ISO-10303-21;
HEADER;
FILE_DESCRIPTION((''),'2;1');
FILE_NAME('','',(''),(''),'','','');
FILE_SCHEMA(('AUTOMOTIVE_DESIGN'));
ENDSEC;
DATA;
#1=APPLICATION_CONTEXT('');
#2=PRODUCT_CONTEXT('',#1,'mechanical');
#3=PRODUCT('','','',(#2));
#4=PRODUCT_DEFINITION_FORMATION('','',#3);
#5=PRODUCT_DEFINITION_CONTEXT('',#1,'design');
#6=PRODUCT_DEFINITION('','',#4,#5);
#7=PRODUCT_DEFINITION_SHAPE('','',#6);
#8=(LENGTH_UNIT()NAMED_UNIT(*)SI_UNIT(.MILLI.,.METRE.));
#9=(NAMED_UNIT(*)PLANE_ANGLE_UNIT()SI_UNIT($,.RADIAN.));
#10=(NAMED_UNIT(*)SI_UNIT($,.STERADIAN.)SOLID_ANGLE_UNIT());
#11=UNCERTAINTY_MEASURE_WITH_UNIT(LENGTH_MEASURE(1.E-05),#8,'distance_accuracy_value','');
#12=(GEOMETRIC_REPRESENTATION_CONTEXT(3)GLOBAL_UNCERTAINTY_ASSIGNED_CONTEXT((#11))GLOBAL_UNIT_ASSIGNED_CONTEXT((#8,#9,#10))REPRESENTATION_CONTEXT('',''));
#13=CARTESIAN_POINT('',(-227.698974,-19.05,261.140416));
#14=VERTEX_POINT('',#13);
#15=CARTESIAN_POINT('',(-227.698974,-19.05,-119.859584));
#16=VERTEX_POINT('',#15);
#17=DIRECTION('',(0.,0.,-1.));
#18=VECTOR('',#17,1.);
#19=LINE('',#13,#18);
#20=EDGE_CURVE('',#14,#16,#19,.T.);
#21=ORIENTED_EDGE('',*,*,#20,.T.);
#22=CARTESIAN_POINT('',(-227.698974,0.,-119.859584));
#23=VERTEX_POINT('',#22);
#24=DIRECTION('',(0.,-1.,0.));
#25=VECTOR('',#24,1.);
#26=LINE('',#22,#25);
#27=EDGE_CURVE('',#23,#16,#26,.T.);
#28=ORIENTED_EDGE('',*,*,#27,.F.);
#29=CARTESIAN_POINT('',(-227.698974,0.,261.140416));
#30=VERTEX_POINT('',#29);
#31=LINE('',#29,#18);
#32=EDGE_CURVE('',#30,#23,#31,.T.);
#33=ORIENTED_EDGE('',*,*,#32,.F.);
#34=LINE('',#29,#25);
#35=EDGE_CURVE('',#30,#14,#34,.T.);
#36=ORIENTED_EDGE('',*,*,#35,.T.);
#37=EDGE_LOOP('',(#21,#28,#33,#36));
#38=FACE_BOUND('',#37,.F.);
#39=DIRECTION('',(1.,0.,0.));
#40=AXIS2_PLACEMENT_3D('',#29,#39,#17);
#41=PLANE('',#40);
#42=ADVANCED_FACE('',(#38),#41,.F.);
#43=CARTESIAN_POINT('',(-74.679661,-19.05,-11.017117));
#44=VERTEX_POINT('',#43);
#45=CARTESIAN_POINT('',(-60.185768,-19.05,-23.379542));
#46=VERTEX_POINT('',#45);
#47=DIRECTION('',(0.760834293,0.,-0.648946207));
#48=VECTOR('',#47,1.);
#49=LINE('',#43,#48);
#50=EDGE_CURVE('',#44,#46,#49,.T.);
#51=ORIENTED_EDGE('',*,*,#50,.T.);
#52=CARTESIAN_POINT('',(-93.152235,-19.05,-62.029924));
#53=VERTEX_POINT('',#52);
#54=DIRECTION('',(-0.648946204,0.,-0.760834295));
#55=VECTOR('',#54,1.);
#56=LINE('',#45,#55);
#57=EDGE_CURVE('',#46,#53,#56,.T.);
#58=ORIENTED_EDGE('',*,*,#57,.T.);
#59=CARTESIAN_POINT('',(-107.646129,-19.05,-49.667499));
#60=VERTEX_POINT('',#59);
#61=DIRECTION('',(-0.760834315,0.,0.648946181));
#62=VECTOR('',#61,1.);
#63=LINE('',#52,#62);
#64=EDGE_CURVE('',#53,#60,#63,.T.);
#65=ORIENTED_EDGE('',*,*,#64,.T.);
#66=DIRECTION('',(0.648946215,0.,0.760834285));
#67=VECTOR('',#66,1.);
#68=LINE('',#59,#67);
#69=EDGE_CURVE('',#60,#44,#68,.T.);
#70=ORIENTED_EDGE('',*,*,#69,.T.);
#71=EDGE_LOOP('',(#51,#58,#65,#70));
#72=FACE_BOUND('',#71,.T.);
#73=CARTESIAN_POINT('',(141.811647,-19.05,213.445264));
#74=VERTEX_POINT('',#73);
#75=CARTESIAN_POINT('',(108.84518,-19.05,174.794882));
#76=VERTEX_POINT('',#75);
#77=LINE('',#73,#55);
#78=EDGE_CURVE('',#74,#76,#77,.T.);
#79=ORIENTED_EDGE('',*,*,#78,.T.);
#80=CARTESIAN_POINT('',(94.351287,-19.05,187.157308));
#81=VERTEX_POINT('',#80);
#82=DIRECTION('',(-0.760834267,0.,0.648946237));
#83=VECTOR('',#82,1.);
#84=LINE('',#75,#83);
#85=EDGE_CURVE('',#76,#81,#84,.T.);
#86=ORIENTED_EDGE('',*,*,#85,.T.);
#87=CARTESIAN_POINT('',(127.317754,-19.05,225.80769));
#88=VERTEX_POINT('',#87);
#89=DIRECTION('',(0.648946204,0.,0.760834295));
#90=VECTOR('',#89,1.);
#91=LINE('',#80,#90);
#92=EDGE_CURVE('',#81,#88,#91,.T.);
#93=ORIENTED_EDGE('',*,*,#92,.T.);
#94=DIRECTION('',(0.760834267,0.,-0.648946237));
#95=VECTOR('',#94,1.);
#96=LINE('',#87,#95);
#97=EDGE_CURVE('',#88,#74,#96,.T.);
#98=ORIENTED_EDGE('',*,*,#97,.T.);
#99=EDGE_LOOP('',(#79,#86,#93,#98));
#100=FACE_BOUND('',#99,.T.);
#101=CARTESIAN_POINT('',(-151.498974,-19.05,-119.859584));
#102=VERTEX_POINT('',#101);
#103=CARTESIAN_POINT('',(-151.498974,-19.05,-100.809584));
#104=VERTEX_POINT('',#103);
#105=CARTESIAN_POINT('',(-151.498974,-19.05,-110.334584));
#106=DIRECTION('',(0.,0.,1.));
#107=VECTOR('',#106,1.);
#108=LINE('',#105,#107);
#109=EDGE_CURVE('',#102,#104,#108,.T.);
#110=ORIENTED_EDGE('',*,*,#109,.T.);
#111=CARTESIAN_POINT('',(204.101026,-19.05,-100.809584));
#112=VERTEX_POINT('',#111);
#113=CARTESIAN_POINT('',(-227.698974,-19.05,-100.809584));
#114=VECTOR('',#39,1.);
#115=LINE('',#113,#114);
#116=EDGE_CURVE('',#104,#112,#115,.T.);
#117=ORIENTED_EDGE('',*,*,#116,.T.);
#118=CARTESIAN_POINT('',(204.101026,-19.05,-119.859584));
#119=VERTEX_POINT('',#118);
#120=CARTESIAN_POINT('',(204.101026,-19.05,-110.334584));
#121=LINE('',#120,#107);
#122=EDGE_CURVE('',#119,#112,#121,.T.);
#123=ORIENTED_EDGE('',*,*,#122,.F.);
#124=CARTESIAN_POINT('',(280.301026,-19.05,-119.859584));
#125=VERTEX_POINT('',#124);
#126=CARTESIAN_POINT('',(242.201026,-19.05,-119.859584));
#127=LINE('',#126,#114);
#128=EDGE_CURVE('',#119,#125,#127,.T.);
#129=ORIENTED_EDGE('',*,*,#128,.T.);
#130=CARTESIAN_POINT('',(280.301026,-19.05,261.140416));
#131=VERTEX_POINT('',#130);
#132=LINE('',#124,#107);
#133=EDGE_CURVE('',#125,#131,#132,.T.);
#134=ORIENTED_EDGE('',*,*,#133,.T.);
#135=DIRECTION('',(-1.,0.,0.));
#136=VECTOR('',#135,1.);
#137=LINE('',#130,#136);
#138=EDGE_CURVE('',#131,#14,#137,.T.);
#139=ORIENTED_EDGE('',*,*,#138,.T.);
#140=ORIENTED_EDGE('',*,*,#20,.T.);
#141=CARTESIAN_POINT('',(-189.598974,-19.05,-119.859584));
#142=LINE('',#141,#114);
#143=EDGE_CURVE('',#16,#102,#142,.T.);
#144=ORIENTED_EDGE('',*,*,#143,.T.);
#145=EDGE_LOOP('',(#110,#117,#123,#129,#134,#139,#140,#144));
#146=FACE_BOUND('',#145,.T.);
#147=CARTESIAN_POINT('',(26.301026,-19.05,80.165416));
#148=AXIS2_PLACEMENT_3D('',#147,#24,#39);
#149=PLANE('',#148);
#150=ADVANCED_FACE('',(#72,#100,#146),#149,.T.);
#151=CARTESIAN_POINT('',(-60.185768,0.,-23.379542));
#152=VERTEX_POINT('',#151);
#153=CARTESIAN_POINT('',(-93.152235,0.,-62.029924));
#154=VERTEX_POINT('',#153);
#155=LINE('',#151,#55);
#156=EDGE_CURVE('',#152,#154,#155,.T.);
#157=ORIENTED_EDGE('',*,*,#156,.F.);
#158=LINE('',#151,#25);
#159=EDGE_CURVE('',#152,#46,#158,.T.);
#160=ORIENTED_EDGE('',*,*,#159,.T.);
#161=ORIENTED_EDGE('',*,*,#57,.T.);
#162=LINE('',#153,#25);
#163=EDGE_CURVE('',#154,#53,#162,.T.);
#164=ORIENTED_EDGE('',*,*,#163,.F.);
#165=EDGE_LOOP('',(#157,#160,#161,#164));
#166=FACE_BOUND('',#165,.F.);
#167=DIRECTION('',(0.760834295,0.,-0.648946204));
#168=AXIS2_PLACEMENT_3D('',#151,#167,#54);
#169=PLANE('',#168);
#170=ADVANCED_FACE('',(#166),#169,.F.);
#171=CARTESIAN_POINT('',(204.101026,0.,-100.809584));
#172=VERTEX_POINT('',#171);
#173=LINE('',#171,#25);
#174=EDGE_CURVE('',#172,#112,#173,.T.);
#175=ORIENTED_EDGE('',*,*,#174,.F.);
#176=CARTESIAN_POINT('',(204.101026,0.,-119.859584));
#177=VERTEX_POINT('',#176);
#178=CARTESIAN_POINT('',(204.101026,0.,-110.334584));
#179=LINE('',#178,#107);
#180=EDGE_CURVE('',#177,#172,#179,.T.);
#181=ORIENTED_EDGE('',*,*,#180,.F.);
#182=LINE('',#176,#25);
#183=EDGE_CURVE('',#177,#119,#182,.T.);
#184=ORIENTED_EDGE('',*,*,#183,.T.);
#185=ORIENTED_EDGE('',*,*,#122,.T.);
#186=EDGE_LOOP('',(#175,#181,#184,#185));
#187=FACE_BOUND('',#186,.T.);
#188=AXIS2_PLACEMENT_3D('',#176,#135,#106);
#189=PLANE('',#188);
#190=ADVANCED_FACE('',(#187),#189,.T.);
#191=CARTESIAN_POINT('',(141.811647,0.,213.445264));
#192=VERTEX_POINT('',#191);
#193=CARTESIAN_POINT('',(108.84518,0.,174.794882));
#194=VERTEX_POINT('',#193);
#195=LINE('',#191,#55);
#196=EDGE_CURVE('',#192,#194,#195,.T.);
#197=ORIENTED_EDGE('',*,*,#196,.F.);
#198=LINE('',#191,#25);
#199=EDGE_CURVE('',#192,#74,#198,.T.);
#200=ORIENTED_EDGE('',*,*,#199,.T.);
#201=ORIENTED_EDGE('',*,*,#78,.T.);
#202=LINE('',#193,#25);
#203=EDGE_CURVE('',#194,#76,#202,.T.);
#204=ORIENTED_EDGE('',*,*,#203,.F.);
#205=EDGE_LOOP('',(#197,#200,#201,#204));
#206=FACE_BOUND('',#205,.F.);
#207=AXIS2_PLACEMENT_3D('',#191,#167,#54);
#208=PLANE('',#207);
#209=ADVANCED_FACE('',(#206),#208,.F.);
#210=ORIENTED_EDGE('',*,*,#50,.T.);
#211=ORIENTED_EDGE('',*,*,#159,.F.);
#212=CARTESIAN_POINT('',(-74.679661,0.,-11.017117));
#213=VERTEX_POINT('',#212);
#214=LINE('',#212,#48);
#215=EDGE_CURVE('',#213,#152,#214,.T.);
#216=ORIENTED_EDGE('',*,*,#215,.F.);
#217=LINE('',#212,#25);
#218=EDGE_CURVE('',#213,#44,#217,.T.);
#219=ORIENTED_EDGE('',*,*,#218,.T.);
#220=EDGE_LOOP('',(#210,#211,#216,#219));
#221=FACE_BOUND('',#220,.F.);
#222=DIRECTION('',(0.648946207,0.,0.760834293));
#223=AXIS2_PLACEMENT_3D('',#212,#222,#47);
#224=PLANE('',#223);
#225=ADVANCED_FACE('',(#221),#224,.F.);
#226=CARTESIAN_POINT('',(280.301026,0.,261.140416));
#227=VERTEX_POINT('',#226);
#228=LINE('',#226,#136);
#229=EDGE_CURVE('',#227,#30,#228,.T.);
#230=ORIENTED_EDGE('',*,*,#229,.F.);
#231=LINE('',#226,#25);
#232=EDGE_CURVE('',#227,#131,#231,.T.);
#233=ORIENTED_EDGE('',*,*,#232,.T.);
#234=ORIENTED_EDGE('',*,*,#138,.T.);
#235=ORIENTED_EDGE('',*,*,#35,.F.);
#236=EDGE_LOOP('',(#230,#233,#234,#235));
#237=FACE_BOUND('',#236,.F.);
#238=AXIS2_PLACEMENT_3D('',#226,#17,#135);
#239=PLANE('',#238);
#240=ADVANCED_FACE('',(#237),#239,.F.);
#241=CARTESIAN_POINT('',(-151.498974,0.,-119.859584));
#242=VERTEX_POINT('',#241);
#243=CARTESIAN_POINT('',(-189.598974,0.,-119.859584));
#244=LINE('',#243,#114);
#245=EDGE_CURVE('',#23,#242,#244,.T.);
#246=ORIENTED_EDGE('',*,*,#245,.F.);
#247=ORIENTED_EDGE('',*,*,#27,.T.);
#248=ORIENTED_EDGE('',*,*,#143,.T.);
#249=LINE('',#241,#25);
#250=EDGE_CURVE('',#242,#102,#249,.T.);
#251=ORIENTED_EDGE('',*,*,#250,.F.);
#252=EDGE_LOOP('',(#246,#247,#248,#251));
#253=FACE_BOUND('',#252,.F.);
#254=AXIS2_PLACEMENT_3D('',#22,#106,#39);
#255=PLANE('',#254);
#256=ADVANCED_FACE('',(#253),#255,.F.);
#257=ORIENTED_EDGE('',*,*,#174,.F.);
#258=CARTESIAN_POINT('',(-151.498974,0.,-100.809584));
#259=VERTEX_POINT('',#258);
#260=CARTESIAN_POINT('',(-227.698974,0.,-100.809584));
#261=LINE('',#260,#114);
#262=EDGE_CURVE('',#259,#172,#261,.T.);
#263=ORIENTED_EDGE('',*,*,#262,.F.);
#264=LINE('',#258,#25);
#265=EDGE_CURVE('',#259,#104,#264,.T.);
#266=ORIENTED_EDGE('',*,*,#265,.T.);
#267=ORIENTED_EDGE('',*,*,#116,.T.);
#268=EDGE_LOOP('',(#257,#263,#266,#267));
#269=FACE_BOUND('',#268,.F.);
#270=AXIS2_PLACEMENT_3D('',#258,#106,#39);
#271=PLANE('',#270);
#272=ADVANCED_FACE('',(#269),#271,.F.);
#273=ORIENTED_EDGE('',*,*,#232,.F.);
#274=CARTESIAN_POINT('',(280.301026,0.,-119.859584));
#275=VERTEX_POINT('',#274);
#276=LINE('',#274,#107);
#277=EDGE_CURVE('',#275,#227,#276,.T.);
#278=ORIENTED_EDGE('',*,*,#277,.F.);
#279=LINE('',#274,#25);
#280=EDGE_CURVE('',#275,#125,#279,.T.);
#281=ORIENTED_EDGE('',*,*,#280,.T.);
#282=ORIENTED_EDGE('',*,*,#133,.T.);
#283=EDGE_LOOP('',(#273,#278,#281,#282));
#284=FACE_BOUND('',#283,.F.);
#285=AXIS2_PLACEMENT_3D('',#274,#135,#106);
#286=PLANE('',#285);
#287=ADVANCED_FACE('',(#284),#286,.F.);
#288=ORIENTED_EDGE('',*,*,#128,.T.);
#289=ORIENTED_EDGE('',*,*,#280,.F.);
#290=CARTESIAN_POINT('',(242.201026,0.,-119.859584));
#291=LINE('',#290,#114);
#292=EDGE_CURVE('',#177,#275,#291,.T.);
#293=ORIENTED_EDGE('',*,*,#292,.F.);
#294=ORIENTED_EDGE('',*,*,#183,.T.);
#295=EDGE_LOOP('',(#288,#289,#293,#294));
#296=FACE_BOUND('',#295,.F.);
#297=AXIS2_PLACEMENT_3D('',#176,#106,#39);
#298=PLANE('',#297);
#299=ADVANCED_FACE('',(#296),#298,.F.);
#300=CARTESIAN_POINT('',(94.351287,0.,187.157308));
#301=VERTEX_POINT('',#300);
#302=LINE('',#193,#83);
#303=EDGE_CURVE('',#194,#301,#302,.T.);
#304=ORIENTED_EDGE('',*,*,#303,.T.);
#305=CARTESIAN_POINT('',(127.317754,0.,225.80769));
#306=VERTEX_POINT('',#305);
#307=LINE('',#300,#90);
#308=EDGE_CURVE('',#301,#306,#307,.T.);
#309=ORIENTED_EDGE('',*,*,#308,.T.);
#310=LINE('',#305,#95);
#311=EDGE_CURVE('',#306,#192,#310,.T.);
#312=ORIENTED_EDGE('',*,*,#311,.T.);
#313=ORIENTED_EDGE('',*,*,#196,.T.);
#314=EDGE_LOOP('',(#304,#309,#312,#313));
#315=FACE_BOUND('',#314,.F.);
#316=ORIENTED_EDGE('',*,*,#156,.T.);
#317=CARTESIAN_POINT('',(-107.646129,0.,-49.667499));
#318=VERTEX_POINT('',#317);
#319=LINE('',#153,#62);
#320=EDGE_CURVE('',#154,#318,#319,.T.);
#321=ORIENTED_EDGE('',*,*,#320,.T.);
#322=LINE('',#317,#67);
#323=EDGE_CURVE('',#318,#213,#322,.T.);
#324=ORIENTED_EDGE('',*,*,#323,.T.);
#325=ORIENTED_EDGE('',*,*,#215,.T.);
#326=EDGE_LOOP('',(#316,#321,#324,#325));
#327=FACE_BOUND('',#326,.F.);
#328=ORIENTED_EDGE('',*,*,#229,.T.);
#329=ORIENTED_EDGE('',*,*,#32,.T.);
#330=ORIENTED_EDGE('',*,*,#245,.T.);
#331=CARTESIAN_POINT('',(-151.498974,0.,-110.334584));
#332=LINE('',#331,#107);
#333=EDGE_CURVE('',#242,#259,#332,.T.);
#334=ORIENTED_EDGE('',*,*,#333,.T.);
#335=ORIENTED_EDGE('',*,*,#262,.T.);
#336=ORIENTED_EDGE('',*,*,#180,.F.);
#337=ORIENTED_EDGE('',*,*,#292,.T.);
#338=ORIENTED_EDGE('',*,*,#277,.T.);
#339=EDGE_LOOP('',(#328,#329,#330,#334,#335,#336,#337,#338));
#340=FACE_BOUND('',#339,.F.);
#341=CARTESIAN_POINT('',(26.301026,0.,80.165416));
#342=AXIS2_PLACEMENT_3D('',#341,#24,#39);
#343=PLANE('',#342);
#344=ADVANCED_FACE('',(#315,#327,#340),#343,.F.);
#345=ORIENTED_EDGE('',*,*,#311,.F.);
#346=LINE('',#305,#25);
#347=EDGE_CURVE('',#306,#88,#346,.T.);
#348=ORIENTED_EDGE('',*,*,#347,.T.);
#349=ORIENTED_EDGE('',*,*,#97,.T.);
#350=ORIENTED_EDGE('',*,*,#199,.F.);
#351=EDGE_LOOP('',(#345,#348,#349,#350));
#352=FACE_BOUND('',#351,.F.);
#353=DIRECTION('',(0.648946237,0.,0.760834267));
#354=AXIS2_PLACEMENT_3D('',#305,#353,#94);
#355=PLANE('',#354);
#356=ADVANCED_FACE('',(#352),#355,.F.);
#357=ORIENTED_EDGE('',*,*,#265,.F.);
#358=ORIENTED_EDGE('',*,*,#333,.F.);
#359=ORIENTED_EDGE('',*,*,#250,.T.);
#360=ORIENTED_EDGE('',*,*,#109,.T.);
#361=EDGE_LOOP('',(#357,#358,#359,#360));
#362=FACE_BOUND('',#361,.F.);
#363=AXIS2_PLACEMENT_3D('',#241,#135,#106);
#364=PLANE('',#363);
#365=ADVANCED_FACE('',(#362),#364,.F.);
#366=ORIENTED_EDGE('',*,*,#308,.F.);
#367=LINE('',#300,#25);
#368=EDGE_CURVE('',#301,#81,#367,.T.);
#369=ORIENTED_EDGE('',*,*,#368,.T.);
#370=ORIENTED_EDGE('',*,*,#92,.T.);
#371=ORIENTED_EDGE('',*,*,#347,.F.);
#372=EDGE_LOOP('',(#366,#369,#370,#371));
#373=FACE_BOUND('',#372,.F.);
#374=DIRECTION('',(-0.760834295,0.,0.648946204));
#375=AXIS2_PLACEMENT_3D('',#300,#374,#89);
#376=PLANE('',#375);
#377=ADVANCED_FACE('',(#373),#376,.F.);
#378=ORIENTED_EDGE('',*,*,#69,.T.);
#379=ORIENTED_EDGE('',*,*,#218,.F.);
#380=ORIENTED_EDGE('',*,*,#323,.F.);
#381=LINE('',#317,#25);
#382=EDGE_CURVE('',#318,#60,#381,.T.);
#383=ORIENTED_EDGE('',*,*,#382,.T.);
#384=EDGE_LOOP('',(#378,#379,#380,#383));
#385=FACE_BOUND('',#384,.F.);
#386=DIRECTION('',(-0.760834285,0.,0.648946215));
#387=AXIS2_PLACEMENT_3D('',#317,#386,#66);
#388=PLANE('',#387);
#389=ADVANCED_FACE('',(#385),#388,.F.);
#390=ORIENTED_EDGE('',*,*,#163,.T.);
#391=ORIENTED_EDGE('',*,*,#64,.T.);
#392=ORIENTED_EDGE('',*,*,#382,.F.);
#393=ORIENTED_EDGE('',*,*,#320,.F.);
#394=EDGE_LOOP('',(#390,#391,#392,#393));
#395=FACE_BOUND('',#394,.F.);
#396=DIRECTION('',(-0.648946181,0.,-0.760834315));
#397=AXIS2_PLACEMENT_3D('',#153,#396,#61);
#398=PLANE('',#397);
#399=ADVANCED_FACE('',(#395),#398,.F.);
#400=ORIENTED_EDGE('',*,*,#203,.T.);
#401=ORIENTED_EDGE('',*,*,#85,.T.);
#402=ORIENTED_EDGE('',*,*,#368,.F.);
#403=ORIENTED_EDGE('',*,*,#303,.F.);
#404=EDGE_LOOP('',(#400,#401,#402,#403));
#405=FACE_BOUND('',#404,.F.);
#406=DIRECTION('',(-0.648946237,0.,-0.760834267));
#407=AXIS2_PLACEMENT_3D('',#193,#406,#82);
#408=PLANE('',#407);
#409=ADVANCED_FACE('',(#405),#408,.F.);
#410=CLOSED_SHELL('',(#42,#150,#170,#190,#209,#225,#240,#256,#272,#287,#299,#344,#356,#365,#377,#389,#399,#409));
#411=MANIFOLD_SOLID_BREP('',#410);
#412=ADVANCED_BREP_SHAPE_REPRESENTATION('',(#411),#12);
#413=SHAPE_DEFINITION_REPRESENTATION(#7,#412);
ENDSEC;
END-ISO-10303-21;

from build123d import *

# Parameters (mm, degrees)
F0_W     = 76.2
F0_H     = 19.05
F1_DEPTH = 19.05


with BuildPart() as f1:
    # F0 (on Front) → F1 (new body)
    with BuildSketch(Plane.XZ):
        Polygon((280.301026, 261.140416), (-227.698974, 261.140416), (-227.698974, -100.809584), (-151.498974, -100.809584), (204.101026, -100.809584), (280.301026, -100.809584), align=None)
        Polygon((-74.679661, -11.017117), (-60.185768, -23.379542), (-93.152235, -62.029924), (-107.646129, -49.667499), align=None, mode=Mode.SUBTRACT)
        Polygon((94.351287, 187.157308), (127.317754, 225.80769), (141.811647, 213.445264), (108.84518, 174.794882), align=None, mode=Mode.SUBTRACT)
        with Locations((-189.598974, -110.334584)):
            Rectangle(F0_W, F0_H)
        with Locations((242.201026, -110.334584)):
            Rectangle(F0_W, F0_H)
    extrude(amount=F1_DEPTH)


solid = f1.part
